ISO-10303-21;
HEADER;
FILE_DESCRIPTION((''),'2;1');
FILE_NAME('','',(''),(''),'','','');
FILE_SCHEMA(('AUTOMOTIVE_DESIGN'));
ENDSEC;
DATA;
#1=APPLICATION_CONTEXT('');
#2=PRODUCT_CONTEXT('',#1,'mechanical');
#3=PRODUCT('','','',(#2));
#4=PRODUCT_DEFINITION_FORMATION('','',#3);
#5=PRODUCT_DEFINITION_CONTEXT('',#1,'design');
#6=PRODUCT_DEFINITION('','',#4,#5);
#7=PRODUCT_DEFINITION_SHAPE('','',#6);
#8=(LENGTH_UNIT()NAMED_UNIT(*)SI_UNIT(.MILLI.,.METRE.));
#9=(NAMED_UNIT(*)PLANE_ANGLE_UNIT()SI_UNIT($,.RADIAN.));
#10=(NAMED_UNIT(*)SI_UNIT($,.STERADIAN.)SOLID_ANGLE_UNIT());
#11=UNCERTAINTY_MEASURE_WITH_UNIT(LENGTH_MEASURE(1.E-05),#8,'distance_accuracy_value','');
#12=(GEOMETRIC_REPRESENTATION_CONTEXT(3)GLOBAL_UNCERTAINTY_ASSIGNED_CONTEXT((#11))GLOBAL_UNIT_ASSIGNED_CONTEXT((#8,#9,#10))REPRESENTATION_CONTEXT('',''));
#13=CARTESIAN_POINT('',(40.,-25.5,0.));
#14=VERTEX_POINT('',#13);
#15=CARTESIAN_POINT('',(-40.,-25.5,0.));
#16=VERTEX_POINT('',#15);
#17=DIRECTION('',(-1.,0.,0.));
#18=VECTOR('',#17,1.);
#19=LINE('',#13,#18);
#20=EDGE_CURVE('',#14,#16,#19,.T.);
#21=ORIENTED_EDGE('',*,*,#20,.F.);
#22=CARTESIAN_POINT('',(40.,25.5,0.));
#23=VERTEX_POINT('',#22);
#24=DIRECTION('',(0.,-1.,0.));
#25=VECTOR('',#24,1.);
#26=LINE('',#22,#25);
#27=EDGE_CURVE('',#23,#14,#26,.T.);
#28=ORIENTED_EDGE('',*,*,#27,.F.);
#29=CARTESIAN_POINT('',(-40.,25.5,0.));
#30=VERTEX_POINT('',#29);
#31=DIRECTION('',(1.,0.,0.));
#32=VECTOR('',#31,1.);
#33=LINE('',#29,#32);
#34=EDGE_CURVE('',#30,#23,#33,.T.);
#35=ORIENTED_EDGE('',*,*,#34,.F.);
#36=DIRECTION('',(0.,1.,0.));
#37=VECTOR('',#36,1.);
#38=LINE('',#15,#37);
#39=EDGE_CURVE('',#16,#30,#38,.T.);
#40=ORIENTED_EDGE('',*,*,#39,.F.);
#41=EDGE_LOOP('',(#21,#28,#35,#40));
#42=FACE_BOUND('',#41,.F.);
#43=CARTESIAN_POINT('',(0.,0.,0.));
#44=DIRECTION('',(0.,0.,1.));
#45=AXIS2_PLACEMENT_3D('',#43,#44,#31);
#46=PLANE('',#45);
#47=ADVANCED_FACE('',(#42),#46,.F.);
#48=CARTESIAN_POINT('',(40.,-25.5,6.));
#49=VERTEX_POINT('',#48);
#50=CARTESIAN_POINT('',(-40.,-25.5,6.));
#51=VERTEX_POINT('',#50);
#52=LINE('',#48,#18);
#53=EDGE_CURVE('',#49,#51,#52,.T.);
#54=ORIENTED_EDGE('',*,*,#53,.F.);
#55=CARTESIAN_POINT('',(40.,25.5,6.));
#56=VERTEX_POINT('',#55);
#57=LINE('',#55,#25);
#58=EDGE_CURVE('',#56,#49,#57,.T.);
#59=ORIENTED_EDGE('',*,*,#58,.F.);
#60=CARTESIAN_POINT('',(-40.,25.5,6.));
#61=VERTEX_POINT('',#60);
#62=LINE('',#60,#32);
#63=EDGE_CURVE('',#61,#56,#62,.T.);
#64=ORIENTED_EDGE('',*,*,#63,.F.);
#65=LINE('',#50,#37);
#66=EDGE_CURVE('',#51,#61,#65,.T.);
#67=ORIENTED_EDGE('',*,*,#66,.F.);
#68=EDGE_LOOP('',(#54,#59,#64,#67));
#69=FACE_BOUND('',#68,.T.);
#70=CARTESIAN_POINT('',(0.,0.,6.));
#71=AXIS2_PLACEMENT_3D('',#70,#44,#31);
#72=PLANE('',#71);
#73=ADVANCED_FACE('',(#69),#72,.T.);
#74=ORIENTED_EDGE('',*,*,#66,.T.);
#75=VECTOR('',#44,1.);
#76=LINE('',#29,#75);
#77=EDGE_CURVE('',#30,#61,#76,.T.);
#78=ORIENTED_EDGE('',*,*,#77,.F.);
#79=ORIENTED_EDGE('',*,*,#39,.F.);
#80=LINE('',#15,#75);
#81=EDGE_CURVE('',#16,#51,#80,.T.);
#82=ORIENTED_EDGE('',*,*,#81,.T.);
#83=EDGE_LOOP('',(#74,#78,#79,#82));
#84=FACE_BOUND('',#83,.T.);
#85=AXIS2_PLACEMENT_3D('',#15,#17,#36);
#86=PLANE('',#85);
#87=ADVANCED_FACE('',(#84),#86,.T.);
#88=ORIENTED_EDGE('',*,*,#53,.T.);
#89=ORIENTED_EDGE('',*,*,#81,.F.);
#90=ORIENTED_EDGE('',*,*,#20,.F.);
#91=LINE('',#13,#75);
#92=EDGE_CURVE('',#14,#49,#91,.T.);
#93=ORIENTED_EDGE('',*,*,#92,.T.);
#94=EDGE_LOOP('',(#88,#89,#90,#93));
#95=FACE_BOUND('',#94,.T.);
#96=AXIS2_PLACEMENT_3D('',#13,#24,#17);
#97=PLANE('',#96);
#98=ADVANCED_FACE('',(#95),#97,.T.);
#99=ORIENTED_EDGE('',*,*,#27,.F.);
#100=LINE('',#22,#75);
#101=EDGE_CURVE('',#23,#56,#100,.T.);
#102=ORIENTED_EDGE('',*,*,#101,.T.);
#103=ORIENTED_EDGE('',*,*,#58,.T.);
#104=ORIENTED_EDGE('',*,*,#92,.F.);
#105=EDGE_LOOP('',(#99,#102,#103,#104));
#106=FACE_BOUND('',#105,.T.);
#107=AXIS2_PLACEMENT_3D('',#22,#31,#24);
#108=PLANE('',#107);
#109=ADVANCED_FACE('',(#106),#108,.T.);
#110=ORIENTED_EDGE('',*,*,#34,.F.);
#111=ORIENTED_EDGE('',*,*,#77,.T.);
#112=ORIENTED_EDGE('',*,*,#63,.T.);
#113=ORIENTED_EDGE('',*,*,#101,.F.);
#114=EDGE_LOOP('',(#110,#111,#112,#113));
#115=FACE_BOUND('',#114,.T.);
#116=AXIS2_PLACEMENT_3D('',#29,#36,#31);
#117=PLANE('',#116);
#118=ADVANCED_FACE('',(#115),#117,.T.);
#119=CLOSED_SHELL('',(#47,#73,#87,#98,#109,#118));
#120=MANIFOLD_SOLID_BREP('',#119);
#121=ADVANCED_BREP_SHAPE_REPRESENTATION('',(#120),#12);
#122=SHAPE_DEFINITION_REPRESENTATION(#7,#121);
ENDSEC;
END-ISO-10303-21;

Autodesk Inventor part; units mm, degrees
ref_plane "YZ Plane" through (0, 0, 0) normal (1, 0, 0) x (0, 1, 0)
ref_plane "XZ Plane" through (0, 0, 0) normal (0, 1, 0) x (-1, 0, 0)
ref_plane "XY Plane" through (0, 0, 0) normal (0, 0, 1) x (1, 0, 0)
sketch "Sketch1" plane through (0, 0, 0) normal (0, 0, 1) x (1, 0, 0)
  line L0 (-40, 25.5) -> (40, 25.5)
  line L1 (40, 25.5) -> (40, -25.5)
  line L2 (40, -25.5) -> (-40, -25.5)
  line L3 (-40, -25.5) -> (-40, 25.5)
  line L4 (-40, 25.5) -> (40, -25.5) construction
  line L5 (40, 25.5) -> (-40, -25.5) construction
  point P0 (0, 0)
  dimension "d2" = 51
  dimension "d3" = 80
extrude "Extrusion1" add sketch "Sketch1" along normal blind 6
properties part number "Sides_2"
